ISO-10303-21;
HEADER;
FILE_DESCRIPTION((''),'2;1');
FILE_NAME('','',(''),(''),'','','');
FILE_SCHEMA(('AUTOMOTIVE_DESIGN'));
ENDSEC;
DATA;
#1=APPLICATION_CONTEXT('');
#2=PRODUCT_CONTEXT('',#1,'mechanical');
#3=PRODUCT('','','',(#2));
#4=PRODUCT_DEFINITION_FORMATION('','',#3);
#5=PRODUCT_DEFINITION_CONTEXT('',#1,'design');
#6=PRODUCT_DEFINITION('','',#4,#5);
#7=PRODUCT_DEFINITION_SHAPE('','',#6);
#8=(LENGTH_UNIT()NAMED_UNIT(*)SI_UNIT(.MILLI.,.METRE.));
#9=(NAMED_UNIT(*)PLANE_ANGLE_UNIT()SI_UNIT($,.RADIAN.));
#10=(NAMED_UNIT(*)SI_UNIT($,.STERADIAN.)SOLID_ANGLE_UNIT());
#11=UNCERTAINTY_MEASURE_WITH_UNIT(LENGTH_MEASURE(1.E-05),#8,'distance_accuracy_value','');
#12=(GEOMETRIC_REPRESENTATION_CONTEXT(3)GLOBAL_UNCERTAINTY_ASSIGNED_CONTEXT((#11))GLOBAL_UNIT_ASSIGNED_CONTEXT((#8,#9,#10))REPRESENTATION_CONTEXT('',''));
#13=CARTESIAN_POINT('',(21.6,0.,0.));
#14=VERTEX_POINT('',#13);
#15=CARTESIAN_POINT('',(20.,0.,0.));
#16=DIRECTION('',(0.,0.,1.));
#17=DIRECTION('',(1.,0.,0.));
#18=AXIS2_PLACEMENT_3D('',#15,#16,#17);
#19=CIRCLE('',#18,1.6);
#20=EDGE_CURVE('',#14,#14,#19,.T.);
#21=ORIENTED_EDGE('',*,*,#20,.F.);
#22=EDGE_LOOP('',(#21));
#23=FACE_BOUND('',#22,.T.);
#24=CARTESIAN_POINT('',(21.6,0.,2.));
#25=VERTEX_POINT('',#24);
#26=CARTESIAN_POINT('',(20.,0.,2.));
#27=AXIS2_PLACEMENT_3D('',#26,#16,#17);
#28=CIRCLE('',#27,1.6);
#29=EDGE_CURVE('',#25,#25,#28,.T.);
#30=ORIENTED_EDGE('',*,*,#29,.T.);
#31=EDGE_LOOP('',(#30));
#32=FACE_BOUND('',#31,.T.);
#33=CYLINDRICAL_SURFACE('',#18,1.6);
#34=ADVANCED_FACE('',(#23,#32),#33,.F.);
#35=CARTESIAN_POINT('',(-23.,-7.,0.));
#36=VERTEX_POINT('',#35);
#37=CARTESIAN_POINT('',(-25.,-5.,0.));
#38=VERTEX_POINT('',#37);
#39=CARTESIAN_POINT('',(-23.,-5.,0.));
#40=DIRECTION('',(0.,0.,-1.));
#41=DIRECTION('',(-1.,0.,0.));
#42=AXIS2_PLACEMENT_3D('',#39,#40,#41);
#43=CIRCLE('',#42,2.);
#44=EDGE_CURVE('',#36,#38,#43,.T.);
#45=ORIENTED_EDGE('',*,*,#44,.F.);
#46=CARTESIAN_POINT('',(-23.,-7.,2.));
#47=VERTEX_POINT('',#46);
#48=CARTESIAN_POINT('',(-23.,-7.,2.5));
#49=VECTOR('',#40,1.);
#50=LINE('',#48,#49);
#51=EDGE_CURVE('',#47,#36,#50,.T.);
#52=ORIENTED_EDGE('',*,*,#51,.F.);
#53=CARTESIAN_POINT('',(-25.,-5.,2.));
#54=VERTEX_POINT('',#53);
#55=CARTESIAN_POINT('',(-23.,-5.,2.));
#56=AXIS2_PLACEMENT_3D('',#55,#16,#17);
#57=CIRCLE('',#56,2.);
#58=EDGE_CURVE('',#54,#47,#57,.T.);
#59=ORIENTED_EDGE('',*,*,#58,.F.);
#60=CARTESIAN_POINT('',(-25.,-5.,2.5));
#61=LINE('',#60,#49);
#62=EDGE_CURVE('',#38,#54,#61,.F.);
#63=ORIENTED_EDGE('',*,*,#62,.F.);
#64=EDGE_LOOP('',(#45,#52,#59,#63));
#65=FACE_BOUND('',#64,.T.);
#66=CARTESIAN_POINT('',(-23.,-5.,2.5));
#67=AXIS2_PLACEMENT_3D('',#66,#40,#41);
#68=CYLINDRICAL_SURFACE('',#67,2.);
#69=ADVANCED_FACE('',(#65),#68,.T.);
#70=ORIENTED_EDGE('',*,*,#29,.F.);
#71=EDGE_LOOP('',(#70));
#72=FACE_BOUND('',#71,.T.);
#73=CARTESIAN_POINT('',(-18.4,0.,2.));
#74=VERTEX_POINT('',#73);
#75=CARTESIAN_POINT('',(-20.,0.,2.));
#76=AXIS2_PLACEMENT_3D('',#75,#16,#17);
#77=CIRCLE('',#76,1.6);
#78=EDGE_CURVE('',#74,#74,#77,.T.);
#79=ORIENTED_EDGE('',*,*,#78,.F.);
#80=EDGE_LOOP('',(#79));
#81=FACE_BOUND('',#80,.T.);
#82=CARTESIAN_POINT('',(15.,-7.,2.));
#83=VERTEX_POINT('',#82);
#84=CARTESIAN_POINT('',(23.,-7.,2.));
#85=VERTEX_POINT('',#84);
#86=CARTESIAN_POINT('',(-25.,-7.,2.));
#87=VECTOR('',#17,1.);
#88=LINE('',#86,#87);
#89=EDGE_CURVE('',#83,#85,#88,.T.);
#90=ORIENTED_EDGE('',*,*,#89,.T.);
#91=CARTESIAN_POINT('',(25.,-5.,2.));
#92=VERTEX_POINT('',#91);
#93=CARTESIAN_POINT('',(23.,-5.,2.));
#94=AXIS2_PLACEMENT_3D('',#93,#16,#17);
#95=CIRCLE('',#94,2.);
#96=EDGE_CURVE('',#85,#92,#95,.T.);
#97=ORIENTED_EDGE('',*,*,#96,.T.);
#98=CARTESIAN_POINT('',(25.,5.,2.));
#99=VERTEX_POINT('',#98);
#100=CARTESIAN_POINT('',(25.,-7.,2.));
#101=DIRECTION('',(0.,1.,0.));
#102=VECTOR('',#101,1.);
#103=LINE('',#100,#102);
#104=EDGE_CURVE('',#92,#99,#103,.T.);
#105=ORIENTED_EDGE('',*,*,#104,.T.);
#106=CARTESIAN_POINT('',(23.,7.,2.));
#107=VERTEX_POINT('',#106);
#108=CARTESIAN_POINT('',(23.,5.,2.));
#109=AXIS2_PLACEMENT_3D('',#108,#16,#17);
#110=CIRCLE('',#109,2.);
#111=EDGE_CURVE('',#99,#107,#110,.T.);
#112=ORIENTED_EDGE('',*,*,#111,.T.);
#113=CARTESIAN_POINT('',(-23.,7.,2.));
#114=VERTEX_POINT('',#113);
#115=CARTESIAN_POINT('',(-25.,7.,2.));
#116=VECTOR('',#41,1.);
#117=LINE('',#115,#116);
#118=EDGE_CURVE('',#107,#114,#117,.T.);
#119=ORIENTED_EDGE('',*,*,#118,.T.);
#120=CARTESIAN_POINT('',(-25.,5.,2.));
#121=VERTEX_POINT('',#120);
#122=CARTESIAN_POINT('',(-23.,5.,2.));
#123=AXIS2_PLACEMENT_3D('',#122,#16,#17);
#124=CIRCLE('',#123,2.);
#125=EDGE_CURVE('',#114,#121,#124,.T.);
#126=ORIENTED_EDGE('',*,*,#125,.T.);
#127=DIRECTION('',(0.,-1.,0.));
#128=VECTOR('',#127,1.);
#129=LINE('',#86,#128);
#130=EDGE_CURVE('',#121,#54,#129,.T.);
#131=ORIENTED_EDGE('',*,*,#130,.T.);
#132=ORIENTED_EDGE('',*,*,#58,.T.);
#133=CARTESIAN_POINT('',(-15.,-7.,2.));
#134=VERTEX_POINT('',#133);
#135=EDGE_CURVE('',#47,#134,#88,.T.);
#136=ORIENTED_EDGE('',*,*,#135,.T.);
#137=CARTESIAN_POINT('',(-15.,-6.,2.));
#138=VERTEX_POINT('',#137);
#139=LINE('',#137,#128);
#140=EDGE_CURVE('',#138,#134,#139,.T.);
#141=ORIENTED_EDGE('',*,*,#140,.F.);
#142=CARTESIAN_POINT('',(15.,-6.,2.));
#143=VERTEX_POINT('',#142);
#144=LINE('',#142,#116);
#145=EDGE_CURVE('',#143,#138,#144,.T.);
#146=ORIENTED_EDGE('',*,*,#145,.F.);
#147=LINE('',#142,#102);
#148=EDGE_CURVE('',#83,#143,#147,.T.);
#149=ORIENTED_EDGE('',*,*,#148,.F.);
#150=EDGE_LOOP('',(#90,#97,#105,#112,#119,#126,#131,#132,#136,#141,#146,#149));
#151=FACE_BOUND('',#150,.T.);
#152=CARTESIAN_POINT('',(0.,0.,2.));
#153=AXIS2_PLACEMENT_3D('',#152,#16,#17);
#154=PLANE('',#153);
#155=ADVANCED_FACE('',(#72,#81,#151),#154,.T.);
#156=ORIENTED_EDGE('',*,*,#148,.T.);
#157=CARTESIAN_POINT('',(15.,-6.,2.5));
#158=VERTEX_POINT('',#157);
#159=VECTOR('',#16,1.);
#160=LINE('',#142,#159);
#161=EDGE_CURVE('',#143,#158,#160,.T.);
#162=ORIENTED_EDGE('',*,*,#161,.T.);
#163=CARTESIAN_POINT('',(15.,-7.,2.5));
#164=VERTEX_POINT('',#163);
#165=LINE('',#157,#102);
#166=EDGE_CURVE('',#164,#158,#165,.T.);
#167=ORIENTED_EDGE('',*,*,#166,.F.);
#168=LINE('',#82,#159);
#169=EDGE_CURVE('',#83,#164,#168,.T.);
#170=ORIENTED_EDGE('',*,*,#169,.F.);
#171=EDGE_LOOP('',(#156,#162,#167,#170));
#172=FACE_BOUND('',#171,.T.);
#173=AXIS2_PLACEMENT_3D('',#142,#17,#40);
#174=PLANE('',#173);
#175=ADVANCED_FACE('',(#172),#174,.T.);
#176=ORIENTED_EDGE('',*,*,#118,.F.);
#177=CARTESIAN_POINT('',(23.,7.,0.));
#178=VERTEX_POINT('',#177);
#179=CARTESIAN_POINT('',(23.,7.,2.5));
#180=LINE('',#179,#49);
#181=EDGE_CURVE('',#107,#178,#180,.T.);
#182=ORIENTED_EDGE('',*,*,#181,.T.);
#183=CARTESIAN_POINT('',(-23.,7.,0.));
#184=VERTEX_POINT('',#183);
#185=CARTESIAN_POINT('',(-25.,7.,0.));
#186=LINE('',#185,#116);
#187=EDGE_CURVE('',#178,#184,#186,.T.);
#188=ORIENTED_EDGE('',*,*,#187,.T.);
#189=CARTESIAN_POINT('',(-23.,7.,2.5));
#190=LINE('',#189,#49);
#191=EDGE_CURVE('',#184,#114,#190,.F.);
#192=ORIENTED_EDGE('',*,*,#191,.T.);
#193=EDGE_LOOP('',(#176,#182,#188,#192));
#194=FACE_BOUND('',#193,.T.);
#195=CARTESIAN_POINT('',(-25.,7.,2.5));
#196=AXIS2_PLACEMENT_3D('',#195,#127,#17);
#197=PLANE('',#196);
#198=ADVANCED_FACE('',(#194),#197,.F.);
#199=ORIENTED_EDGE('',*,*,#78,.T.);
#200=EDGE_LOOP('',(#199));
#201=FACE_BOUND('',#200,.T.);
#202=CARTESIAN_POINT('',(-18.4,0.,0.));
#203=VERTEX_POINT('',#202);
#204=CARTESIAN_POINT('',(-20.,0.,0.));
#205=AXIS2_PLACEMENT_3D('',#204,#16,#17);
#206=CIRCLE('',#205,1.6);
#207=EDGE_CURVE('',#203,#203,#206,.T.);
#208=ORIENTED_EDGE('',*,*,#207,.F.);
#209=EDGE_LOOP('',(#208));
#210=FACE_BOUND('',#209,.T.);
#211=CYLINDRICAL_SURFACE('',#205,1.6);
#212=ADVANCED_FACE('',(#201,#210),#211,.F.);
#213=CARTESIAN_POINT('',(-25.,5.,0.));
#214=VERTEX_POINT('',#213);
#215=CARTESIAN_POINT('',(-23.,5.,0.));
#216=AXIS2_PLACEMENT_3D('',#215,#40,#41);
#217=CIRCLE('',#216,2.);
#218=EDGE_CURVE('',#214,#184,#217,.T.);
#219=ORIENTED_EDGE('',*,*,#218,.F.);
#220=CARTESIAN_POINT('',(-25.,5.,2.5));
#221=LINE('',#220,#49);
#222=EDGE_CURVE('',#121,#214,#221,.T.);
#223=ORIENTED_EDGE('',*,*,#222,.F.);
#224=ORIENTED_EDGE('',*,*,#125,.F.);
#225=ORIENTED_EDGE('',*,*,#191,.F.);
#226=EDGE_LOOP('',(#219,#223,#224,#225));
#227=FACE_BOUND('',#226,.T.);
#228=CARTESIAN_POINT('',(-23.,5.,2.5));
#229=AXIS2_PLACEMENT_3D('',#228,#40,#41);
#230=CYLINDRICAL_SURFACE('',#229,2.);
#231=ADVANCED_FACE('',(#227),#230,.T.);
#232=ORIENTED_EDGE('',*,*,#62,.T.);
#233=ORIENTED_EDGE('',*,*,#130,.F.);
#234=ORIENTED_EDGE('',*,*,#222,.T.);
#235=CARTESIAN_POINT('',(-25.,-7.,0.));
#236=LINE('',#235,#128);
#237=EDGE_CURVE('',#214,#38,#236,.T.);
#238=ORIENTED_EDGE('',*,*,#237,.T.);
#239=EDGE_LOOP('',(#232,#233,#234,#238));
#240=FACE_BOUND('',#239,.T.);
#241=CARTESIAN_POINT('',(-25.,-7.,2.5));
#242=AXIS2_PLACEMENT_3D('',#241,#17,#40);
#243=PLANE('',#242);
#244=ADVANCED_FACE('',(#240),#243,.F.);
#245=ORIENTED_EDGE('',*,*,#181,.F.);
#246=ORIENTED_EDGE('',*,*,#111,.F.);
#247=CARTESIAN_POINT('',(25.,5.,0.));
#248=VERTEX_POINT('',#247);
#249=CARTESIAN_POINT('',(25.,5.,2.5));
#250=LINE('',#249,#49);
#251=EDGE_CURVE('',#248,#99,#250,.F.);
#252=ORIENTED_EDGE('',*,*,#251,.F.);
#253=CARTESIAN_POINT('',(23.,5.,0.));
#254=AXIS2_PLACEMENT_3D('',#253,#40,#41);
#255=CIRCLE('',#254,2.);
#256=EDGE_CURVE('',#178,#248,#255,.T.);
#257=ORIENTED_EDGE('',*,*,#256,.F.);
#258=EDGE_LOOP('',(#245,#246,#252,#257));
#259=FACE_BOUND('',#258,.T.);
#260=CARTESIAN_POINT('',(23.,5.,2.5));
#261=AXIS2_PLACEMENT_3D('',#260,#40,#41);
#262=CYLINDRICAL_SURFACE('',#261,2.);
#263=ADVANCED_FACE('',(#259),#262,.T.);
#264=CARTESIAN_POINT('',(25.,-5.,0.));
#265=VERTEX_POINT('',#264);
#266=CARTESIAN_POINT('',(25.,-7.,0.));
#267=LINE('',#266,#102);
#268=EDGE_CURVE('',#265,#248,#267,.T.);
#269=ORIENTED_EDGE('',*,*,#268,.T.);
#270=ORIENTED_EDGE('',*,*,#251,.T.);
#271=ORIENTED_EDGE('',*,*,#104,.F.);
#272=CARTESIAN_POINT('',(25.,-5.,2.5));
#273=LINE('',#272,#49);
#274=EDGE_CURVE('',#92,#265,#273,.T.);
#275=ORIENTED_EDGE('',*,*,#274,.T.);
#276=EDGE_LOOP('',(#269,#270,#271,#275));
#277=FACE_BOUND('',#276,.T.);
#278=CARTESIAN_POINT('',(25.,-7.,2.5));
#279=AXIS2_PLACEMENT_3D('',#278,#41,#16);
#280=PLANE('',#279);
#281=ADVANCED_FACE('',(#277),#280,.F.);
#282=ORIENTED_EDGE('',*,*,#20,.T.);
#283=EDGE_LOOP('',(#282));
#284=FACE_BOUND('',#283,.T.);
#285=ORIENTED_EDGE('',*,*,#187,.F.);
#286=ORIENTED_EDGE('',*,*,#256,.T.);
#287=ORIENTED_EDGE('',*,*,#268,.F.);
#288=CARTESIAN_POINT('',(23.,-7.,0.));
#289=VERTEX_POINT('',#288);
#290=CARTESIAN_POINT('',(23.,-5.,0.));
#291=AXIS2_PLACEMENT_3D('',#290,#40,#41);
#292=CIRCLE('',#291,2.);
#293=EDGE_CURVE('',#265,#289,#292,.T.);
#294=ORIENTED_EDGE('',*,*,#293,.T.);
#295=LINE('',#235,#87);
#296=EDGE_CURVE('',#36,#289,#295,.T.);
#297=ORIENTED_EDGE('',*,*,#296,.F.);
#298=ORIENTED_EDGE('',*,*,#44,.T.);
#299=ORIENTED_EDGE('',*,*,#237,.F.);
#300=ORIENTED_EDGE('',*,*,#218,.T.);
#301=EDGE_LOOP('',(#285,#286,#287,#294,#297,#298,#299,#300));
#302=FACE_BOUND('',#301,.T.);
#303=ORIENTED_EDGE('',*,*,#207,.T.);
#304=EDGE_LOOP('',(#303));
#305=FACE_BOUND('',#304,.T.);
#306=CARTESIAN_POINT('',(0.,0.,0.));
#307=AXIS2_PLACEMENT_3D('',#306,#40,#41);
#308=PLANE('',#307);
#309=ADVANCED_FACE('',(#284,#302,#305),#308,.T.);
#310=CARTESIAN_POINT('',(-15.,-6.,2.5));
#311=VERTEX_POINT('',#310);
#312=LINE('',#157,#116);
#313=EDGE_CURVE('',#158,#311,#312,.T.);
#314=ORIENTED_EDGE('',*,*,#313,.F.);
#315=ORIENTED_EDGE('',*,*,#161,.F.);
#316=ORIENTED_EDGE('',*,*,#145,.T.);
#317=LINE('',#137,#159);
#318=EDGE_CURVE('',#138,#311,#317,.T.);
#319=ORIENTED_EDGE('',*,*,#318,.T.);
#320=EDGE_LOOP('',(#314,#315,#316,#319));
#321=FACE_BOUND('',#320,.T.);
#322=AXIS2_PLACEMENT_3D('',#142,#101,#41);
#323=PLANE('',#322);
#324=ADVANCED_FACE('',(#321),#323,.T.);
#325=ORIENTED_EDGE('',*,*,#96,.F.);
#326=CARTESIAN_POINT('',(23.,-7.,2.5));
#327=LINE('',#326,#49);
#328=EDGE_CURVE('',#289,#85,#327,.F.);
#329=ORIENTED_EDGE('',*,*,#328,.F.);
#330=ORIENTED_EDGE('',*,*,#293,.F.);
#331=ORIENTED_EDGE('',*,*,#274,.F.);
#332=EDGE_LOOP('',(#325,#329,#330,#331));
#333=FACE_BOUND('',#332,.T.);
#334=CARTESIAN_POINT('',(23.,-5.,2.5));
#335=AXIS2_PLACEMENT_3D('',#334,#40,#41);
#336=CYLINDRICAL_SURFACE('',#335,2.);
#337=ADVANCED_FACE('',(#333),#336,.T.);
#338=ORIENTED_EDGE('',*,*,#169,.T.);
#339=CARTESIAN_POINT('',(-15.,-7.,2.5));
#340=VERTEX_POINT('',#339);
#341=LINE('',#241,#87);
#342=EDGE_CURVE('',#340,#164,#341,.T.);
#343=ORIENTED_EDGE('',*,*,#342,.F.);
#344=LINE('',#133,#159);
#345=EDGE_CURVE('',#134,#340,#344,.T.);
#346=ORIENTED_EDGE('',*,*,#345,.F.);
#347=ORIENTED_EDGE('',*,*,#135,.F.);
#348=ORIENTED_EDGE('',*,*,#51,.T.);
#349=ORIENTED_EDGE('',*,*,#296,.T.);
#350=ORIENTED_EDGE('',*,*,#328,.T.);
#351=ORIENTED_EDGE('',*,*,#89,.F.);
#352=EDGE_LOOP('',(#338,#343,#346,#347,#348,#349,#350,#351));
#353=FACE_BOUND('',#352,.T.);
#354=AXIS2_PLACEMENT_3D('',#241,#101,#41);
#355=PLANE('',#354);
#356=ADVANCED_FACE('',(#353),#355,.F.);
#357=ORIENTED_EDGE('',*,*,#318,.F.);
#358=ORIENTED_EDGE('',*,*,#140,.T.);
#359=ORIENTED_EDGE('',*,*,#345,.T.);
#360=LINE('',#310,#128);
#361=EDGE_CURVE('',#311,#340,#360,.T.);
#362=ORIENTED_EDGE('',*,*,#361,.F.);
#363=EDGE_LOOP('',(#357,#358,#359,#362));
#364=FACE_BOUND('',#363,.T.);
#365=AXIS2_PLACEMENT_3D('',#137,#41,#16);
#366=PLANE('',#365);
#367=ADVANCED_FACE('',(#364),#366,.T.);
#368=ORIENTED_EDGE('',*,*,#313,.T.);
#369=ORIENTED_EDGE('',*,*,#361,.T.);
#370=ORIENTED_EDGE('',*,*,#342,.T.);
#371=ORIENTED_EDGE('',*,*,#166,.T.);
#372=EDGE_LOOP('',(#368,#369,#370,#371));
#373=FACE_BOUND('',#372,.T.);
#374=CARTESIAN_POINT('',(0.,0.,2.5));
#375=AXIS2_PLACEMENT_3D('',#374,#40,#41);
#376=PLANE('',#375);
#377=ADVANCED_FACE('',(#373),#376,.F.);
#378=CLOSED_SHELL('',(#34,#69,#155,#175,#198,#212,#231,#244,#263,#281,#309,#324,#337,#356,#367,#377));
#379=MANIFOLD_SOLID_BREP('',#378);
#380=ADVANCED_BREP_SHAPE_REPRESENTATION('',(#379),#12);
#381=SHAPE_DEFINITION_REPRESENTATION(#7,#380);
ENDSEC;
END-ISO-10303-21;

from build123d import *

# Parameters (mm, degrees)
SKETCH2_W           = 50
SKETCH2_H           = 14
BOSS_EXTRUDE1_DEPTH = 2.5
SKETCH4_OUTSIDE_W   = 62.396
SKETCH4_OUTSIDE_H   = 26.396
SKETCH4_OUTSIDE_W_2 = 30
SKETCH4_OUTSIDE_H_2 = 1
CUT_EXTRUDE1_DEPTH  = 0.5
SKETCH5_R           = 1.6
CUT_EXTRUDE2_DEPTH  = 2
FILLET2_R           = 2


with BuildPart() as part:
    # Sketch2 → Boss-Extrude1 (new body)
    with BuildSketch(Plane.XY):
        Rectangle(SKETCH2_W, SKETCH2_H)
    extrude(amount=BOSS_EXTRUDE1_DEPTH)

    # Sketch4 outside → Cut-Extrude1 (cut)
    with BuildSketch(Plane.XY.offset(2.5)):
        Rectangle(SKETCH4_OUTSIDE_W, SKETCH4_OUTSIDE_H)
        with Locations((0, -6.5)):
            Rectangle(SKETCH4_OUTSIDE_W_2, SKETCH4_OUTSIDE_H_2, mode=Mode.SUBTRACT)
    extrude(amount=-CUT_EXTRUDE1_DEPTH, mode=Mode.SUBTRACT)

    # Sketch5 → Cut-Extrude2 (cut)
    with BuildSketch(Plane.XY.offset(2)):
        with Locations((-20, 0)):
            Circle(SKETCH5_R)
        with Locations((20, 0)):
            Circle(SKETCH5_R)
    extrude(amount=-CUT_EXTRUDE2_DEPTH, mode=Mode.SUBTRACT)

    # Fillet2
    fillet2_edges = [part.edges().sort_by_distance(p)[0] for p in [
        (25, -7, 1),
        (-25, -7, 1),
        (-25, 7, 1),
        (25, 7, 1),
    ]]
    fillet(fillet2_edges, radius=FILLET2_R)


solid = part.part
